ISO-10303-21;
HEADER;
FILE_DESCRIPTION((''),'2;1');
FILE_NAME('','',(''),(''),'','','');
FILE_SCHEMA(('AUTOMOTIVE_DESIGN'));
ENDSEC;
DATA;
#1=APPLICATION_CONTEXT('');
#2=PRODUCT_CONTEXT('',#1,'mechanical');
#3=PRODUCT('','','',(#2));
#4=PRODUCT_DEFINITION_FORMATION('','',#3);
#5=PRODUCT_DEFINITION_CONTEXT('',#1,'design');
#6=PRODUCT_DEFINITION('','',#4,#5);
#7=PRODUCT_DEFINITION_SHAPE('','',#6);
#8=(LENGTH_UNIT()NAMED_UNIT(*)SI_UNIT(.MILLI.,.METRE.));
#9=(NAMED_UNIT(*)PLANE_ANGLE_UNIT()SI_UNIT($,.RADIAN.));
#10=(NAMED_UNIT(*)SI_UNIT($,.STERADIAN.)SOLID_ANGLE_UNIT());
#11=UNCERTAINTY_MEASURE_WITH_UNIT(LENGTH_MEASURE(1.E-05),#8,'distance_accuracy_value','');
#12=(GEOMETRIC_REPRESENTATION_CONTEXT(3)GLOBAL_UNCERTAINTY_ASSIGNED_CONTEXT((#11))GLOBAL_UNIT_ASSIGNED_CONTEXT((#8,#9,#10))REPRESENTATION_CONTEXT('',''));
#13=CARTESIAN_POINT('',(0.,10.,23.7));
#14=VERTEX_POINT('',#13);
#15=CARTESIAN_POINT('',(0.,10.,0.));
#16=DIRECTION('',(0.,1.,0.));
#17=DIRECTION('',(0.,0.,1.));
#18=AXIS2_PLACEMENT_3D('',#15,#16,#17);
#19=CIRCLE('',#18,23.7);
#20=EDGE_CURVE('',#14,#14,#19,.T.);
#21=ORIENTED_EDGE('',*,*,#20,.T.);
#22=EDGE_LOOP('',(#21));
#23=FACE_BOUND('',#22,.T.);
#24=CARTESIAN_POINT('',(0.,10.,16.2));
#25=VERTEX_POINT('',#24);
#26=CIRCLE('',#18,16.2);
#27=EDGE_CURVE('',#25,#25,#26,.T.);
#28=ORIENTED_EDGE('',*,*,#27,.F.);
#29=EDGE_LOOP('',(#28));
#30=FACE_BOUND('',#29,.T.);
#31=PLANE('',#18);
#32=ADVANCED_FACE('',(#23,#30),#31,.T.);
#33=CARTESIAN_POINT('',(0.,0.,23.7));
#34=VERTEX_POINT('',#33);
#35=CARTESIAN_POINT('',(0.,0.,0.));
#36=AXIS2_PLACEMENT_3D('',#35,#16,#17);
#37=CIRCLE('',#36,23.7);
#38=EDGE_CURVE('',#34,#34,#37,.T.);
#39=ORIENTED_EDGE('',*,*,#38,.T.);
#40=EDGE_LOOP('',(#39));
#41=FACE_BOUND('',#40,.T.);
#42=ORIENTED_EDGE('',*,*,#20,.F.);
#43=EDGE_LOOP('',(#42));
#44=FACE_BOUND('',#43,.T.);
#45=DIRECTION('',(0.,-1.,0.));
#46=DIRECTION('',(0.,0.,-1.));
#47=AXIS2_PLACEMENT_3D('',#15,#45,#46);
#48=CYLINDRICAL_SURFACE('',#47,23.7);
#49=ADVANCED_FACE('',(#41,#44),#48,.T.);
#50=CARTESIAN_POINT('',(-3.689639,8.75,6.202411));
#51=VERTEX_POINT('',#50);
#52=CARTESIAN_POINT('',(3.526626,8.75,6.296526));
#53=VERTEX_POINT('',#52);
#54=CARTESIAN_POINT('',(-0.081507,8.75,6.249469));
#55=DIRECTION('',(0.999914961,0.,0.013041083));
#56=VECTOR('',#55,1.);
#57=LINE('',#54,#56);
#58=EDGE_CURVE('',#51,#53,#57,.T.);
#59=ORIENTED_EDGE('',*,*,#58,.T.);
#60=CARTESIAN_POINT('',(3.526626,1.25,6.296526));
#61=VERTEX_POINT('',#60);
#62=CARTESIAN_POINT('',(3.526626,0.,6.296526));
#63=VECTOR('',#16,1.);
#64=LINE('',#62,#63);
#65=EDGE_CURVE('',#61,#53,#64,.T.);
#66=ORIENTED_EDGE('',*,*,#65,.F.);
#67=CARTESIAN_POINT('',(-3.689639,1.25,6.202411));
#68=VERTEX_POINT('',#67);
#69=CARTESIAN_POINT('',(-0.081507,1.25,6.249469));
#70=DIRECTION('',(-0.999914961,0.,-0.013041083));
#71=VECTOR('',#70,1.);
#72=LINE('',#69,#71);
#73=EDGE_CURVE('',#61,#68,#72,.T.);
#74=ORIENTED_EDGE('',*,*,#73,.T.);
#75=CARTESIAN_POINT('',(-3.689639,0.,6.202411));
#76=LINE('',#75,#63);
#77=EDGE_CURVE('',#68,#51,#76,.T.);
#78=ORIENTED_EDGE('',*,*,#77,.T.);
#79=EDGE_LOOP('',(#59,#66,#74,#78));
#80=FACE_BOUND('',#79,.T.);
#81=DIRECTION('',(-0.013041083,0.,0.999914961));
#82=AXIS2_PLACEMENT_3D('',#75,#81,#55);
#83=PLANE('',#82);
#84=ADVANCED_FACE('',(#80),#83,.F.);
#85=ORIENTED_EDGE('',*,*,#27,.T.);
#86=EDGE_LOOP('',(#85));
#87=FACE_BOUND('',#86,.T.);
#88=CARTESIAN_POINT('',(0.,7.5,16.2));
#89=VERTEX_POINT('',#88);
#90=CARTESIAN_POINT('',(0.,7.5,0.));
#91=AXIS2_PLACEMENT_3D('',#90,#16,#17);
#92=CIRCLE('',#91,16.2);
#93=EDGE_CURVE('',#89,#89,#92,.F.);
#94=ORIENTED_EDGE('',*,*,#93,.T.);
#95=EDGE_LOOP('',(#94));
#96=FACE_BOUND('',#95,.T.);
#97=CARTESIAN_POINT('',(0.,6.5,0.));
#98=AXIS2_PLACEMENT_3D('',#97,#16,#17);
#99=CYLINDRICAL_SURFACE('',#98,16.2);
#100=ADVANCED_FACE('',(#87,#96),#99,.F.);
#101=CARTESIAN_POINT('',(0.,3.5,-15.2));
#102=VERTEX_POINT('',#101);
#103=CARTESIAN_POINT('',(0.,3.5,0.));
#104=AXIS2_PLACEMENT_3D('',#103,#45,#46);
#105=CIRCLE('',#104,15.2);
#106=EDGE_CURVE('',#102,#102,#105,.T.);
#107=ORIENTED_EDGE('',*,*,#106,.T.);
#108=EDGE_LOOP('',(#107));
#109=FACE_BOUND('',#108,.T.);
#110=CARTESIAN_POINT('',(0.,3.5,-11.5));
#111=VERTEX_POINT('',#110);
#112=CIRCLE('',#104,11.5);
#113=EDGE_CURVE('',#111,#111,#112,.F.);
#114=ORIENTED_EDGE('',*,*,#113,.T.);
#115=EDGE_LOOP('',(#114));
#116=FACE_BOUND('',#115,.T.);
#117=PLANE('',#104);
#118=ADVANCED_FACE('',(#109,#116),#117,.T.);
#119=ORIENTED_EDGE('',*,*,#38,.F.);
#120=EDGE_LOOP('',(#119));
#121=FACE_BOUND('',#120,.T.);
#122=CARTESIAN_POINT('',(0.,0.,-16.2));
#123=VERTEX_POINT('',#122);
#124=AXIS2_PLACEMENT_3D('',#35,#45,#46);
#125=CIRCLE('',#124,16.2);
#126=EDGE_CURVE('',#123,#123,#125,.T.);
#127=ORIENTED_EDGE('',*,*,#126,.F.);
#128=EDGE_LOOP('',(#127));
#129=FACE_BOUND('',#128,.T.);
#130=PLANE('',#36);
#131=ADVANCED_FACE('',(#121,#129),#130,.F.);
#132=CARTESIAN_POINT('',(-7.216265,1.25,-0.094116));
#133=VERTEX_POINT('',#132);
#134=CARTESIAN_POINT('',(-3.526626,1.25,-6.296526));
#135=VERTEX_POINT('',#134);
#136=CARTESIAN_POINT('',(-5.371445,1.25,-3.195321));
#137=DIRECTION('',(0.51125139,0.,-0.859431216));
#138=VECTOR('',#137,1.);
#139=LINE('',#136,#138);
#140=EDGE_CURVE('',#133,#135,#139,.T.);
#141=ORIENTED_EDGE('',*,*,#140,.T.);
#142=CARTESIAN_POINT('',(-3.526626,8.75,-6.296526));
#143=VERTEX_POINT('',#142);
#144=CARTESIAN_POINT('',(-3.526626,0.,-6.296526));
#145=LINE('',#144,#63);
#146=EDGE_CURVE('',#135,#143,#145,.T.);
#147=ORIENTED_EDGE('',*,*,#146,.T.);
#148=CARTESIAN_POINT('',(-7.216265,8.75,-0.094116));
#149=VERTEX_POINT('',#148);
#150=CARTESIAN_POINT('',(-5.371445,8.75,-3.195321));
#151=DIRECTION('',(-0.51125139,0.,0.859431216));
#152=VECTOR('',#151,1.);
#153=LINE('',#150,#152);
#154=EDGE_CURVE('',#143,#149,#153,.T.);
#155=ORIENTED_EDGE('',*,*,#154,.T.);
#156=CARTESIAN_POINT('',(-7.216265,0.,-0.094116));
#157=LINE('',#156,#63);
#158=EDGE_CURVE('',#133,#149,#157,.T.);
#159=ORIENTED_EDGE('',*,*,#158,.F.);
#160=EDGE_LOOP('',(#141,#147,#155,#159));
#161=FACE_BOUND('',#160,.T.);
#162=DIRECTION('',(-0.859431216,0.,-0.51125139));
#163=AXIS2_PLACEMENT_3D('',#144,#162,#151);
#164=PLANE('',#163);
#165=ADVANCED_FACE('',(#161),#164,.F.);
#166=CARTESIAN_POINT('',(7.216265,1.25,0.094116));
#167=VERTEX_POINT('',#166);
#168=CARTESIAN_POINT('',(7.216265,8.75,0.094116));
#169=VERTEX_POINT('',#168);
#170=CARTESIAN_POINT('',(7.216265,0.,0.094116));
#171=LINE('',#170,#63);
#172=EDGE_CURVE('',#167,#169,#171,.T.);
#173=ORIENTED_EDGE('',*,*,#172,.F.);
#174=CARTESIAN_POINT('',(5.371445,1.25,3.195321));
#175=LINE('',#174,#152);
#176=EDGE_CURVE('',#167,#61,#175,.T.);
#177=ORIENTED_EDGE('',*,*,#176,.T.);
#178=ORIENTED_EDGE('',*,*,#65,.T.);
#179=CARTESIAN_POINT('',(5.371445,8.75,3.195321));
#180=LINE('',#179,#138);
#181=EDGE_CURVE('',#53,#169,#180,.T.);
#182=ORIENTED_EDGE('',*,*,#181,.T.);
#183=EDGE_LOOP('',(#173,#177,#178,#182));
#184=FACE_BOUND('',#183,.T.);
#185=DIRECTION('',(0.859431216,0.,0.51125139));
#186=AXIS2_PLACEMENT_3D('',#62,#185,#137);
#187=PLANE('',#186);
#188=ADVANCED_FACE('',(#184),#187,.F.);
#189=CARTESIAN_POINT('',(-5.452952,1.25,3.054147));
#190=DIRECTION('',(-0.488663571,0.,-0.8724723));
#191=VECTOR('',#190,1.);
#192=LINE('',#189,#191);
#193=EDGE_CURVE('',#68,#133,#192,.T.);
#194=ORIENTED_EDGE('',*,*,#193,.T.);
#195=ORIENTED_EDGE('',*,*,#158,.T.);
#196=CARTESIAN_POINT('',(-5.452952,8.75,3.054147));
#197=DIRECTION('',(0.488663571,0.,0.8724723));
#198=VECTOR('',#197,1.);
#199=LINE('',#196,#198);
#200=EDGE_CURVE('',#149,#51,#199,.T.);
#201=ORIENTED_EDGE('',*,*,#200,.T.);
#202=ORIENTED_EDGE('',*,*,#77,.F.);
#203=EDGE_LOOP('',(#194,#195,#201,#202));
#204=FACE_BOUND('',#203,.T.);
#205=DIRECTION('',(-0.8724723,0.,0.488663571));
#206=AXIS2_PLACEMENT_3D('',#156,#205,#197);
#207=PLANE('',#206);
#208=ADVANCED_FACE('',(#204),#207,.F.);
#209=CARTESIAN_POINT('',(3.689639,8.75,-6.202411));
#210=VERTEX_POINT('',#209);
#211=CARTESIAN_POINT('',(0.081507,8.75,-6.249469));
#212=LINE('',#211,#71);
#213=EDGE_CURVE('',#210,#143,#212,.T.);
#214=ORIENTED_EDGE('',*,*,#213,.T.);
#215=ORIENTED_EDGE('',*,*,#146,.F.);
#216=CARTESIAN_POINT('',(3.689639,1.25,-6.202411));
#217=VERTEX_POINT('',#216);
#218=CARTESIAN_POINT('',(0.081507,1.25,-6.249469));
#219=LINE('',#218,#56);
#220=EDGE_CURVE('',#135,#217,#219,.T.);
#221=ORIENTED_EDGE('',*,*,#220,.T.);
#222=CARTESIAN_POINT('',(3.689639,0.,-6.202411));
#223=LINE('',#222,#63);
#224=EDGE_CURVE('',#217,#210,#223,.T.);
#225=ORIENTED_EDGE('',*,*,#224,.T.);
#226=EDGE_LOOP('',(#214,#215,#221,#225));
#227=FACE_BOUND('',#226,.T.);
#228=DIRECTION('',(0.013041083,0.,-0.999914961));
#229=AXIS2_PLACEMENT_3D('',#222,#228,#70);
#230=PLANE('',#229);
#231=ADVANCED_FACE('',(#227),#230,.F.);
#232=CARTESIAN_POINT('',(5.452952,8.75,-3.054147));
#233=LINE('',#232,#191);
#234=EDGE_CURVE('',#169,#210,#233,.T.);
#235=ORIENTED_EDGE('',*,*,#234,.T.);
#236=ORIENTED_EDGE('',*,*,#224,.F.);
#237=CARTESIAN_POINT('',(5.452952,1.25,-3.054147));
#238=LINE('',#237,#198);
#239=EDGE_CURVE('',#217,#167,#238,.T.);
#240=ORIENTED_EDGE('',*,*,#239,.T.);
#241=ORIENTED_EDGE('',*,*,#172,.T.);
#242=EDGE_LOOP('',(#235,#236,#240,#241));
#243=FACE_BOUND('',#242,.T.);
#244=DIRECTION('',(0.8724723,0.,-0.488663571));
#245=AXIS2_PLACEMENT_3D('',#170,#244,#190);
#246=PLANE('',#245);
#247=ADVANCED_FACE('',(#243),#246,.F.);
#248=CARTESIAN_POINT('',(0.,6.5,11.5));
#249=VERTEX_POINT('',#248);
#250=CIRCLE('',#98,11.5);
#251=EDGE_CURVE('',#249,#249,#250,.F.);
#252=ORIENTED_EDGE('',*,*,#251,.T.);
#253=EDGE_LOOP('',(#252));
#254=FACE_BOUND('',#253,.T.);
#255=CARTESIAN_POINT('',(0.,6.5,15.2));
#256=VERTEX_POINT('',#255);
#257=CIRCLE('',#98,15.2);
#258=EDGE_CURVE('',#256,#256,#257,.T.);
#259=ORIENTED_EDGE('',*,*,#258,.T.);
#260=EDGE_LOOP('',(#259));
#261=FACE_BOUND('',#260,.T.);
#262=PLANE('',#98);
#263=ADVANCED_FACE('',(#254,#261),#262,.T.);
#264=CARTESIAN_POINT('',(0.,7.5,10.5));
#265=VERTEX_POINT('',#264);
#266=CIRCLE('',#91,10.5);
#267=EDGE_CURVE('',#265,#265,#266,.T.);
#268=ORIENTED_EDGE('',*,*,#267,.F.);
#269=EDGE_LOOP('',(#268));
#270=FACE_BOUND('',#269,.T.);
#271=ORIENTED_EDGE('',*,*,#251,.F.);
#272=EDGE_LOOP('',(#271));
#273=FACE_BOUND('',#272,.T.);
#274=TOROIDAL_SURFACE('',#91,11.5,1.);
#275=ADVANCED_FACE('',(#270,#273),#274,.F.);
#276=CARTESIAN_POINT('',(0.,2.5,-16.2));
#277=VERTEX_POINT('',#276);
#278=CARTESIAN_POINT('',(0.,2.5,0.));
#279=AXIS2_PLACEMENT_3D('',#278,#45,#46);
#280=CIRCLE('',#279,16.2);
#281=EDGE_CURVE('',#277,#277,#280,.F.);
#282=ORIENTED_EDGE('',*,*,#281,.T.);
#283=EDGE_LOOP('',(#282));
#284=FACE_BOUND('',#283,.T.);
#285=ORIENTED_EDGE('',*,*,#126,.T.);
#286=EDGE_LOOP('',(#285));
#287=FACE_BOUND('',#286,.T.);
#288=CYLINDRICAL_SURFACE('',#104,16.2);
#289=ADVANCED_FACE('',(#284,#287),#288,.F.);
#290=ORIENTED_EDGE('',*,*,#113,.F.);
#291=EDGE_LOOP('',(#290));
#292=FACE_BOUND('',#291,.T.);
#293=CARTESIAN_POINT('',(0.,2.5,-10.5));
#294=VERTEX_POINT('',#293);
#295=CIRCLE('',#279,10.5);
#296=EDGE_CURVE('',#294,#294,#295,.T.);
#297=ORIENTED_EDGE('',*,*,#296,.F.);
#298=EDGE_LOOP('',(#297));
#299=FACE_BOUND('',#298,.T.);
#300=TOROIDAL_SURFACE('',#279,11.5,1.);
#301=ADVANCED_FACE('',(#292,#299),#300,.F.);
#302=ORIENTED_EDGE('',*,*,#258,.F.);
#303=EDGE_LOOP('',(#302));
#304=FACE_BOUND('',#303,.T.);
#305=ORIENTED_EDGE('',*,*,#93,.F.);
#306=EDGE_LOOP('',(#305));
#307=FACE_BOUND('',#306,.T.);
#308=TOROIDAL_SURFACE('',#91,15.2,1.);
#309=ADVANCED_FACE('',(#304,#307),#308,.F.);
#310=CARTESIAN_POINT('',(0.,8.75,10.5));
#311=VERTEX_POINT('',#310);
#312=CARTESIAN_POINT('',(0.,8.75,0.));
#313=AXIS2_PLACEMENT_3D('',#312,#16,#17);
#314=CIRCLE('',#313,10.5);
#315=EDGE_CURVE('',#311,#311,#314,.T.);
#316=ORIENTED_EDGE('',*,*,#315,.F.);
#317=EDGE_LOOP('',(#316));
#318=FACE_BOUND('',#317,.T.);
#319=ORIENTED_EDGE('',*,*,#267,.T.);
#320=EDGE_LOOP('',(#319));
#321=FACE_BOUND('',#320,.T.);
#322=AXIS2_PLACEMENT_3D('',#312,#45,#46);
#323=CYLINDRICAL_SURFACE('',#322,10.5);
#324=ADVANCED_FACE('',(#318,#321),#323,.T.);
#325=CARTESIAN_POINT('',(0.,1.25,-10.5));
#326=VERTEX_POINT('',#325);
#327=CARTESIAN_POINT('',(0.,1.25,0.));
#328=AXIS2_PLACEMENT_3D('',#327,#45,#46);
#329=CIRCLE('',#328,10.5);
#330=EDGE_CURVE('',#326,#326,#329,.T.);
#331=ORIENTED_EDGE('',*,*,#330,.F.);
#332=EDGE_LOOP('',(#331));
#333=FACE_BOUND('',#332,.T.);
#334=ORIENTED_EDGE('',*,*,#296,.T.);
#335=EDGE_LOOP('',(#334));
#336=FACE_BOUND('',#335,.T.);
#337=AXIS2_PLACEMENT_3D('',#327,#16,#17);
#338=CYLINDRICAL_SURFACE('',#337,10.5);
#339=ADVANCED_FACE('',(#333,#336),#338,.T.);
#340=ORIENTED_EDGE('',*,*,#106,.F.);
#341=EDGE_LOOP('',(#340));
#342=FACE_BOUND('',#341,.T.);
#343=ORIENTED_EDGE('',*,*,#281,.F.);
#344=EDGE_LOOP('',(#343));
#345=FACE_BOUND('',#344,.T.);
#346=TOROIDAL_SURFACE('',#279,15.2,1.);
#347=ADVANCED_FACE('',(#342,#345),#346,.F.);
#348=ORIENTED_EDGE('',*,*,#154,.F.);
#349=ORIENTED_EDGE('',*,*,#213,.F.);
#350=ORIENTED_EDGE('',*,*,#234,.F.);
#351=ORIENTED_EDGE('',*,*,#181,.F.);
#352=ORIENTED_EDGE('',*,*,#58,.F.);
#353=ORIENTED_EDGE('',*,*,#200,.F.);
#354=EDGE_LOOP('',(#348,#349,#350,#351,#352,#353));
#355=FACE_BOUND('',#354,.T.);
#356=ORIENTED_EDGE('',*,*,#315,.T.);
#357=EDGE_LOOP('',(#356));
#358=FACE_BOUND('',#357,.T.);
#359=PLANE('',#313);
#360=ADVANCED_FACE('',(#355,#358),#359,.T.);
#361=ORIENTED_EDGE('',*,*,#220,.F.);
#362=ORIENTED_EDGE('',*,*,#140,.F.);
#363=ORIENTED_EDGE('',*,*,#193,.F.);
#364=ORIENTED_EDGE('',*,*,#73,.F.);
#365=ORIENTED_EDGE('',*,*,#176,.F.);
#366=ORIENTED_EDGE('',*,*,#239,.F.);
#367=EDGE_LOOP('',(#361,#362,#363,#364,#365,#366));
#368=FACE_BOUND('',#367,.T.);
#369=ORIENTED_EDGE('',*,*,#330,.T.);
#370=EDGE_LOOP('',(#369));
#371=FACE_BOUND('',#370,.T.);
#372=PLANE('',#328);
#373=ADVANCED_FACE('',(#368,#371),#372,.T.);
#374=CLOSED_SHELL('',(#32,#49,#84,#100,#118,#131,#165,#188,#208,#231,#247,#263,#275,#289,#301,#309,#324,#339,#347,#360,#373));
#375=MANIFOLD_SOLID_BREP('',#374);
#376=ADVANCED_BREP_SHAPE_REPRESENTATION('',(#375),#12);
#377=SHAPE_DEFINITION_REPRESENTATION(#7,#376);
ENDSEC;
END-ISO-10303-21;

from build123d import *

# Parameters (mm, degrees)
SKETCH1_R               = 23.7
BOSS_EXTRUDE1_DEPTH     = 10
SKETCH2_R               = 16.2
CUT_EXTRUDE1_DEPTH      = 3.5
CUT_EXTRUDE2_START      = -3.5
SKETCH3_R               = 16.2
CUT_EXTRUDE2_DEPTH      = 3.5
SKETCH5_R               = 10.5
BOSS_EXTRUDE2_DEPTH     = 2.25
BOSS_EXTRUDE3_START     = 2.25
SKETCH6_R               = 10.5
BOSS_EXTRUDE3_DEPTH     = 2.25
CUT_EXTRUDE3_DEPTH      = 35.141323934
CUT_EXTRUDE3_DEPTH_BACK = 35.141323934
FILLET1_R               = 1
FILLET2_R               = 1


with BuildPart() as part:
    # Sketch1 → Boss-Extrude1 (new body)
    with BuildSketch(Plane(origin=(0, 0, 0), x_dir=(1, 0, 0), z_dir=(0, 1, 0))):
        with Locations(Location((0, 0, 0), (0, 0, 270))):
            Circle(SKETCH1_R)
    extrude(amount=BOSS_EXTRUDE1_DEPTH)

    # Sketch2 → Cut-Extrude1 (cut)
    with BuildSketch(Plane(origin=(0, 10, 0), x_dir=(1, 0, 0), z_dir=(0, 1, 0))):
        with Locations(Location((0, 0, 0), (0, 0, 270))):
            Circle(SKETCH2_R)
    extrude(amount=-CUT_EXTRUDE1_DEPTH, mode=Mode.SUBTRACT)

    # Sketch3 → Cut-Extrude2 (cut)
    with BuildSketch(Plane.XZ.offset(CUT_EXTRUDE2_START)):
        with Locations(Location((0, 0, 0), (0, 0, 90))):
            Circle(SKETCH3_R)
    extrude(amount=CUT_EXTRUDE2_DEPTH, mode=Mode.SUBTRACT)

    # Sketch5 → Boss-Extrude2 (add)
    with BuildSketch(Plane(origin=(0, 6.5, 0), x_dir=(1, 0, 0), z_dir=(0, 1, 0))):
        with Locations(Location((0, 0, 0), (0, 0, 270))):
            Circle(SKETCH5_R)
    extrude(amount=BOSS_EXTRUDE2_DEPTH)

    # Sketch6 → Boss-Extrude3 (add)
    with BuildSketch(Plane.XZ.offset(-3.5).offset(BOSS_EXTRUDE3_START)):
        with Locations(Location((0, 0, 0), (0, 0, 90))):
            Circle(SKETCH6_R)
    extrude(amount=-BOSS_EXTRUDE3_DEPTH)

    # Sketch4 → Cut-Extrude3 (cut, two sides: drawn at the far end of the back side and taken through both)
    with BuildSketch(Plane(origin=(0, 6.5, 0), x_dir=(1, 0, 0), z_dir=(0, 1, 0)).offset(-CUT_EXTRUDE3_DEPTH_BACK)):
        Polygon((3.689639098, 6.202410552), (-3.526625554, 6.296526466), (-7.216264652, 0.094115913), (-3.689639098, -6.202410552), (3.526625554, -6.296526466), (7.216264652, -0.094115913), align=None)
    extrude(amount=CUT_EXTRUDE3_DEPTH + CUT_EXTRUDE3_DEPTH_BACK, mode=Mode.SUBTRACT)

    # Fillet1
    fillet1_edges = [part.edges().sort_by_distance(p)[0] for p in [
        (0, 3.5, -16.2),
        (0, 6.5, -16.2),
    ]]
    fillet(fillet1_edges, radius=FILLET1_R)

    # Fillet2
    fillet2_edges = [part.edges().sort_by_distance(p)[0] for p in [
        (0, 6.5, -10.5),
        (0, 3.5, -10.5),
    ]]
    fillet(fillet2_edges, radius=FILLET2_R)


solid = part.part
